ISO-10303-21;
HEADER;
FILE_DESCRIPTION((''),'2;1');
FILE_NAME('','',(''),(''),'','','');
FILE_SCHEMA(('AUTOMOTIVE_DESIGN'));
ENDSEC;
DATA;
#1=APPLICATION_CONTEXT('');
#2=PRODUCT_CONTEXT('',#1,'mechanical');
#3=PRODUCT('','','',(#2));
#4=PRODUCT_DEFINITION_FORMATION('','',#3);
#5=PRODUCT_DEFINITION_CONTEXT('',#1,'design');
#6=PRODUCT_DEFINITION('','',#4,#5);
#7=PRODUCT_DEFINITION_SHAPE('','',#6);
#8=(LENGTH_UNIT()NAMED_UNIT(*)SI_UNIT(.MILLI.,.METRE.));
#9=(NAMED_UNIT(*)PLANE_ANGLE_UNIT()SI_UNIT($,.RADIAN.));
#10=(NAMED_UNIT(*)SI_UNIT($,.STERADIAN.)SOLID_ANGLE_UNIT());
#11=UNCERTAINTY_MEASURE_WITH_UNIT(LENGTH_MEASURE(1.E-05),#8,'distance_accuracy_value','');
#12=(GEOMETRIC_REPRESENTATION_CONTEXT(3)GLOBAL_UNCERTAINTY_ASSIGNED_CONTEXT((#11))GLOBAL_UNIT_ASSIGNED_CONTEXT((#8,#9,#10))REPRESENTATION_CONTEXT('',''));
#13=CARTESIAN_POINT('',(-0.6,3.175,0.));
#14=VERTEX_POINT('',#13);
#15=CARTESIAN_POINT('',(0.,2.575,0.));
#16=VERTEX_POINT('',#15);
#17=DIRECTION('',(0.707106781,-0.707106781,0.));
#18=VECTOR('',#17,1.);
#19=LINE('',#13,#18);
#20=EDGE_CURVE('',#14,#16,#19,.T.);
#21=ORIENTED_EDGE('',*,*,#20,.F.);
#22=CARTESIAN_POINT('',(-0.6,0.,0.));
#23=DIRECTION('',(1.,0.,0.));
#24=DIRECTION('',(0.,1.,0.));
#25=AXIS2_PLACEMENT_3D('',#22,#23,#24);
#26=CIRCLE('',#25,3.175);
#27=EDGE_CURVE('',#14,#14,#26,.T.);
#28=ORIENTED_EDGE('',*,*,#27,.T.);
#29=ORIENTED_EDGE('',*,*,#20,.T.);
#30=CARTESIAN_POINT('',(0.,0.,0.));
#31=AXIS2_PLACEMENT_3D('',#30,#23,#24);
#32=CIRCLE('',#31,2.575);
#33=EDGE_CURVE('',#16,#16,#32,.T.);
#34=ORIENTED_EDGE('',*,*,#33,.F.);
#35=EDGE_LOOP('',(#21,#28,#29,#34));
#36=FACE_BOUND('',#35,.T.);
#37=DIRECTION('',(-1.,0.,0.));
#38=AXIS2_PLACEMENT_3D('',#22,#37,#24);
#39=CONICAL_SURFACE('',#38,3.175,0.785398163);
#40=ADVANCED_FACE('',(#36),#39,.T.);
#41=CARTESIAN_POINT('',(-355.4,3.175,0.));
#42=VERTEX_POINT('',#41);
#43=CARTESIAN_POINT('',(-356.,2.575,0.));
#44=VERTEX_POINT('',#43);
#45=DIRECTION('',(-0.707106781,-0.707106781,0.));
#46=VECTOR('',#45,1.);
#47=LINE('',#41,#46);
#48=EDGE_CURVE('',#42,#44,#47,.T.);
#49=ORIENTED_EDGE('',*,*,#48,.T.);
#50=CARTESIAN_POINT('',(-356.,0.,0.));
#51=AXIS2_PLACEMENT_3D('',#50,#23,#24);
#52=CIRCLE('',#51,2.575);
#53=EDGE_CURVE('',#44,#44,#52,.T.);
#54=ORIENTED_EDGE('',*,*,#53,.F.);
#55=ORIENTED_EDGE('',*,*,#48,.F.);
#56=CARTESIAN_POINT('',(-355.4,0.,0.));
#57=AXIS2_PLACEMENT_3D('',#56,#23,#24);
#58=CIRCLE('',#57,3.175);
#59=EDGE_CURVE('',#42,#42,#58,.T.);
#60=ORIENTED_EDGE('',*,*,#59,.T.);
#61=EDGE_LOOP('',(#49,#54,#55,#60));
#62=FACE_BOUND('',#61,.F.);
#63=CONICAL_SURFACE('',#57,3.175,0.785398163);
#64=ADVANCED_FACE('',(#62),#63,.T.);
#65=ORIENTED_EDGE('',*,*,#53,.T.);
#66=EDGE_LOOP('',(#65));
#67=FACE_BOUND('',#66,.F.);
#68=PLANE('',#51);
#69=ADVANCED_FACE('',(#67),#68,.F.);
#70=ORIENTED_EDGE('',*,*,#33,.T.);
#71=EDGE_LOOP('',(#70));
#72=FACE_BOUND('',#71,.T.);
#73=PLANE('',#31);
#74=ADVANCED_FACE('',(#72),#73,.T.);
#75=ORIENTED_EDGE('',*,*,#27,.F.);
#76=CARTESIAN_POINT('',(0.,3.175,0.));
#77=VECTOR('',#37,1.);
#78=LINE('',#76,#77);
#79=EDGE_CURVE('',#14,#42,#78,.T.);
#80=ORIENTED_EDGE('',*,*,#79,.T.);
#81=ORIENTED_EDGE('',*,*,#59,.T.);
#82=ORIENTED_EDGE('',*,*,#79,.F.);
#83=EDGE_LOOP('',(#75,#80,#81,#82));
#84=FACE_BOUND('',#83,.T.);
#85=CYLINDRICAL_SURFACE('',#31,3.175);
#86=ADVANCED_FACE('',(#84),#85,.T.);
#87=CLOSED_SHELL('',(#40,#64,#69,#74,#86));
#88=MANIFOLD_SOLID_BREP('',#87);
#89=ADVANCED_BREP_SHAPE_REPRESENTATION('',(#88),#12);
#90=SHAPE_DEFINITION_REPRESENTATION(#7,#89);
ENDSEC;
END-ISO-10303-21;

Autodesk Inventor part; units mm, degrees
ref_plane "YZ Plane" through (0, 0, 0) normal (1, 0, 0) x (0, 1, 0)
ref_plane "XZ Plane" through (0, 0, 0) normal (0, 1, 0) x (-1, 0, 0)
ref_plane "XY Plane" through (0, 0, 0) normal (0, 0, 1) x (1, 0, 0)
sketch "Sketch1" plane through (0, 0, 0) normal (1, 0, 0) x (0, 1, 0)
  circle A0 centre (0, 0) radius 3.175
  dimension "d0" = 6.35
extrude "Extrusion1" add sketch "Sketch1" against normal blind 356
chamfer "Chamfer1" distance 0.6 angle 45 2 edges at (0, -3.175, 0) (-356, -3.175, 0)
properties part number "M6.35 x 365mm Aluminum Rod"
